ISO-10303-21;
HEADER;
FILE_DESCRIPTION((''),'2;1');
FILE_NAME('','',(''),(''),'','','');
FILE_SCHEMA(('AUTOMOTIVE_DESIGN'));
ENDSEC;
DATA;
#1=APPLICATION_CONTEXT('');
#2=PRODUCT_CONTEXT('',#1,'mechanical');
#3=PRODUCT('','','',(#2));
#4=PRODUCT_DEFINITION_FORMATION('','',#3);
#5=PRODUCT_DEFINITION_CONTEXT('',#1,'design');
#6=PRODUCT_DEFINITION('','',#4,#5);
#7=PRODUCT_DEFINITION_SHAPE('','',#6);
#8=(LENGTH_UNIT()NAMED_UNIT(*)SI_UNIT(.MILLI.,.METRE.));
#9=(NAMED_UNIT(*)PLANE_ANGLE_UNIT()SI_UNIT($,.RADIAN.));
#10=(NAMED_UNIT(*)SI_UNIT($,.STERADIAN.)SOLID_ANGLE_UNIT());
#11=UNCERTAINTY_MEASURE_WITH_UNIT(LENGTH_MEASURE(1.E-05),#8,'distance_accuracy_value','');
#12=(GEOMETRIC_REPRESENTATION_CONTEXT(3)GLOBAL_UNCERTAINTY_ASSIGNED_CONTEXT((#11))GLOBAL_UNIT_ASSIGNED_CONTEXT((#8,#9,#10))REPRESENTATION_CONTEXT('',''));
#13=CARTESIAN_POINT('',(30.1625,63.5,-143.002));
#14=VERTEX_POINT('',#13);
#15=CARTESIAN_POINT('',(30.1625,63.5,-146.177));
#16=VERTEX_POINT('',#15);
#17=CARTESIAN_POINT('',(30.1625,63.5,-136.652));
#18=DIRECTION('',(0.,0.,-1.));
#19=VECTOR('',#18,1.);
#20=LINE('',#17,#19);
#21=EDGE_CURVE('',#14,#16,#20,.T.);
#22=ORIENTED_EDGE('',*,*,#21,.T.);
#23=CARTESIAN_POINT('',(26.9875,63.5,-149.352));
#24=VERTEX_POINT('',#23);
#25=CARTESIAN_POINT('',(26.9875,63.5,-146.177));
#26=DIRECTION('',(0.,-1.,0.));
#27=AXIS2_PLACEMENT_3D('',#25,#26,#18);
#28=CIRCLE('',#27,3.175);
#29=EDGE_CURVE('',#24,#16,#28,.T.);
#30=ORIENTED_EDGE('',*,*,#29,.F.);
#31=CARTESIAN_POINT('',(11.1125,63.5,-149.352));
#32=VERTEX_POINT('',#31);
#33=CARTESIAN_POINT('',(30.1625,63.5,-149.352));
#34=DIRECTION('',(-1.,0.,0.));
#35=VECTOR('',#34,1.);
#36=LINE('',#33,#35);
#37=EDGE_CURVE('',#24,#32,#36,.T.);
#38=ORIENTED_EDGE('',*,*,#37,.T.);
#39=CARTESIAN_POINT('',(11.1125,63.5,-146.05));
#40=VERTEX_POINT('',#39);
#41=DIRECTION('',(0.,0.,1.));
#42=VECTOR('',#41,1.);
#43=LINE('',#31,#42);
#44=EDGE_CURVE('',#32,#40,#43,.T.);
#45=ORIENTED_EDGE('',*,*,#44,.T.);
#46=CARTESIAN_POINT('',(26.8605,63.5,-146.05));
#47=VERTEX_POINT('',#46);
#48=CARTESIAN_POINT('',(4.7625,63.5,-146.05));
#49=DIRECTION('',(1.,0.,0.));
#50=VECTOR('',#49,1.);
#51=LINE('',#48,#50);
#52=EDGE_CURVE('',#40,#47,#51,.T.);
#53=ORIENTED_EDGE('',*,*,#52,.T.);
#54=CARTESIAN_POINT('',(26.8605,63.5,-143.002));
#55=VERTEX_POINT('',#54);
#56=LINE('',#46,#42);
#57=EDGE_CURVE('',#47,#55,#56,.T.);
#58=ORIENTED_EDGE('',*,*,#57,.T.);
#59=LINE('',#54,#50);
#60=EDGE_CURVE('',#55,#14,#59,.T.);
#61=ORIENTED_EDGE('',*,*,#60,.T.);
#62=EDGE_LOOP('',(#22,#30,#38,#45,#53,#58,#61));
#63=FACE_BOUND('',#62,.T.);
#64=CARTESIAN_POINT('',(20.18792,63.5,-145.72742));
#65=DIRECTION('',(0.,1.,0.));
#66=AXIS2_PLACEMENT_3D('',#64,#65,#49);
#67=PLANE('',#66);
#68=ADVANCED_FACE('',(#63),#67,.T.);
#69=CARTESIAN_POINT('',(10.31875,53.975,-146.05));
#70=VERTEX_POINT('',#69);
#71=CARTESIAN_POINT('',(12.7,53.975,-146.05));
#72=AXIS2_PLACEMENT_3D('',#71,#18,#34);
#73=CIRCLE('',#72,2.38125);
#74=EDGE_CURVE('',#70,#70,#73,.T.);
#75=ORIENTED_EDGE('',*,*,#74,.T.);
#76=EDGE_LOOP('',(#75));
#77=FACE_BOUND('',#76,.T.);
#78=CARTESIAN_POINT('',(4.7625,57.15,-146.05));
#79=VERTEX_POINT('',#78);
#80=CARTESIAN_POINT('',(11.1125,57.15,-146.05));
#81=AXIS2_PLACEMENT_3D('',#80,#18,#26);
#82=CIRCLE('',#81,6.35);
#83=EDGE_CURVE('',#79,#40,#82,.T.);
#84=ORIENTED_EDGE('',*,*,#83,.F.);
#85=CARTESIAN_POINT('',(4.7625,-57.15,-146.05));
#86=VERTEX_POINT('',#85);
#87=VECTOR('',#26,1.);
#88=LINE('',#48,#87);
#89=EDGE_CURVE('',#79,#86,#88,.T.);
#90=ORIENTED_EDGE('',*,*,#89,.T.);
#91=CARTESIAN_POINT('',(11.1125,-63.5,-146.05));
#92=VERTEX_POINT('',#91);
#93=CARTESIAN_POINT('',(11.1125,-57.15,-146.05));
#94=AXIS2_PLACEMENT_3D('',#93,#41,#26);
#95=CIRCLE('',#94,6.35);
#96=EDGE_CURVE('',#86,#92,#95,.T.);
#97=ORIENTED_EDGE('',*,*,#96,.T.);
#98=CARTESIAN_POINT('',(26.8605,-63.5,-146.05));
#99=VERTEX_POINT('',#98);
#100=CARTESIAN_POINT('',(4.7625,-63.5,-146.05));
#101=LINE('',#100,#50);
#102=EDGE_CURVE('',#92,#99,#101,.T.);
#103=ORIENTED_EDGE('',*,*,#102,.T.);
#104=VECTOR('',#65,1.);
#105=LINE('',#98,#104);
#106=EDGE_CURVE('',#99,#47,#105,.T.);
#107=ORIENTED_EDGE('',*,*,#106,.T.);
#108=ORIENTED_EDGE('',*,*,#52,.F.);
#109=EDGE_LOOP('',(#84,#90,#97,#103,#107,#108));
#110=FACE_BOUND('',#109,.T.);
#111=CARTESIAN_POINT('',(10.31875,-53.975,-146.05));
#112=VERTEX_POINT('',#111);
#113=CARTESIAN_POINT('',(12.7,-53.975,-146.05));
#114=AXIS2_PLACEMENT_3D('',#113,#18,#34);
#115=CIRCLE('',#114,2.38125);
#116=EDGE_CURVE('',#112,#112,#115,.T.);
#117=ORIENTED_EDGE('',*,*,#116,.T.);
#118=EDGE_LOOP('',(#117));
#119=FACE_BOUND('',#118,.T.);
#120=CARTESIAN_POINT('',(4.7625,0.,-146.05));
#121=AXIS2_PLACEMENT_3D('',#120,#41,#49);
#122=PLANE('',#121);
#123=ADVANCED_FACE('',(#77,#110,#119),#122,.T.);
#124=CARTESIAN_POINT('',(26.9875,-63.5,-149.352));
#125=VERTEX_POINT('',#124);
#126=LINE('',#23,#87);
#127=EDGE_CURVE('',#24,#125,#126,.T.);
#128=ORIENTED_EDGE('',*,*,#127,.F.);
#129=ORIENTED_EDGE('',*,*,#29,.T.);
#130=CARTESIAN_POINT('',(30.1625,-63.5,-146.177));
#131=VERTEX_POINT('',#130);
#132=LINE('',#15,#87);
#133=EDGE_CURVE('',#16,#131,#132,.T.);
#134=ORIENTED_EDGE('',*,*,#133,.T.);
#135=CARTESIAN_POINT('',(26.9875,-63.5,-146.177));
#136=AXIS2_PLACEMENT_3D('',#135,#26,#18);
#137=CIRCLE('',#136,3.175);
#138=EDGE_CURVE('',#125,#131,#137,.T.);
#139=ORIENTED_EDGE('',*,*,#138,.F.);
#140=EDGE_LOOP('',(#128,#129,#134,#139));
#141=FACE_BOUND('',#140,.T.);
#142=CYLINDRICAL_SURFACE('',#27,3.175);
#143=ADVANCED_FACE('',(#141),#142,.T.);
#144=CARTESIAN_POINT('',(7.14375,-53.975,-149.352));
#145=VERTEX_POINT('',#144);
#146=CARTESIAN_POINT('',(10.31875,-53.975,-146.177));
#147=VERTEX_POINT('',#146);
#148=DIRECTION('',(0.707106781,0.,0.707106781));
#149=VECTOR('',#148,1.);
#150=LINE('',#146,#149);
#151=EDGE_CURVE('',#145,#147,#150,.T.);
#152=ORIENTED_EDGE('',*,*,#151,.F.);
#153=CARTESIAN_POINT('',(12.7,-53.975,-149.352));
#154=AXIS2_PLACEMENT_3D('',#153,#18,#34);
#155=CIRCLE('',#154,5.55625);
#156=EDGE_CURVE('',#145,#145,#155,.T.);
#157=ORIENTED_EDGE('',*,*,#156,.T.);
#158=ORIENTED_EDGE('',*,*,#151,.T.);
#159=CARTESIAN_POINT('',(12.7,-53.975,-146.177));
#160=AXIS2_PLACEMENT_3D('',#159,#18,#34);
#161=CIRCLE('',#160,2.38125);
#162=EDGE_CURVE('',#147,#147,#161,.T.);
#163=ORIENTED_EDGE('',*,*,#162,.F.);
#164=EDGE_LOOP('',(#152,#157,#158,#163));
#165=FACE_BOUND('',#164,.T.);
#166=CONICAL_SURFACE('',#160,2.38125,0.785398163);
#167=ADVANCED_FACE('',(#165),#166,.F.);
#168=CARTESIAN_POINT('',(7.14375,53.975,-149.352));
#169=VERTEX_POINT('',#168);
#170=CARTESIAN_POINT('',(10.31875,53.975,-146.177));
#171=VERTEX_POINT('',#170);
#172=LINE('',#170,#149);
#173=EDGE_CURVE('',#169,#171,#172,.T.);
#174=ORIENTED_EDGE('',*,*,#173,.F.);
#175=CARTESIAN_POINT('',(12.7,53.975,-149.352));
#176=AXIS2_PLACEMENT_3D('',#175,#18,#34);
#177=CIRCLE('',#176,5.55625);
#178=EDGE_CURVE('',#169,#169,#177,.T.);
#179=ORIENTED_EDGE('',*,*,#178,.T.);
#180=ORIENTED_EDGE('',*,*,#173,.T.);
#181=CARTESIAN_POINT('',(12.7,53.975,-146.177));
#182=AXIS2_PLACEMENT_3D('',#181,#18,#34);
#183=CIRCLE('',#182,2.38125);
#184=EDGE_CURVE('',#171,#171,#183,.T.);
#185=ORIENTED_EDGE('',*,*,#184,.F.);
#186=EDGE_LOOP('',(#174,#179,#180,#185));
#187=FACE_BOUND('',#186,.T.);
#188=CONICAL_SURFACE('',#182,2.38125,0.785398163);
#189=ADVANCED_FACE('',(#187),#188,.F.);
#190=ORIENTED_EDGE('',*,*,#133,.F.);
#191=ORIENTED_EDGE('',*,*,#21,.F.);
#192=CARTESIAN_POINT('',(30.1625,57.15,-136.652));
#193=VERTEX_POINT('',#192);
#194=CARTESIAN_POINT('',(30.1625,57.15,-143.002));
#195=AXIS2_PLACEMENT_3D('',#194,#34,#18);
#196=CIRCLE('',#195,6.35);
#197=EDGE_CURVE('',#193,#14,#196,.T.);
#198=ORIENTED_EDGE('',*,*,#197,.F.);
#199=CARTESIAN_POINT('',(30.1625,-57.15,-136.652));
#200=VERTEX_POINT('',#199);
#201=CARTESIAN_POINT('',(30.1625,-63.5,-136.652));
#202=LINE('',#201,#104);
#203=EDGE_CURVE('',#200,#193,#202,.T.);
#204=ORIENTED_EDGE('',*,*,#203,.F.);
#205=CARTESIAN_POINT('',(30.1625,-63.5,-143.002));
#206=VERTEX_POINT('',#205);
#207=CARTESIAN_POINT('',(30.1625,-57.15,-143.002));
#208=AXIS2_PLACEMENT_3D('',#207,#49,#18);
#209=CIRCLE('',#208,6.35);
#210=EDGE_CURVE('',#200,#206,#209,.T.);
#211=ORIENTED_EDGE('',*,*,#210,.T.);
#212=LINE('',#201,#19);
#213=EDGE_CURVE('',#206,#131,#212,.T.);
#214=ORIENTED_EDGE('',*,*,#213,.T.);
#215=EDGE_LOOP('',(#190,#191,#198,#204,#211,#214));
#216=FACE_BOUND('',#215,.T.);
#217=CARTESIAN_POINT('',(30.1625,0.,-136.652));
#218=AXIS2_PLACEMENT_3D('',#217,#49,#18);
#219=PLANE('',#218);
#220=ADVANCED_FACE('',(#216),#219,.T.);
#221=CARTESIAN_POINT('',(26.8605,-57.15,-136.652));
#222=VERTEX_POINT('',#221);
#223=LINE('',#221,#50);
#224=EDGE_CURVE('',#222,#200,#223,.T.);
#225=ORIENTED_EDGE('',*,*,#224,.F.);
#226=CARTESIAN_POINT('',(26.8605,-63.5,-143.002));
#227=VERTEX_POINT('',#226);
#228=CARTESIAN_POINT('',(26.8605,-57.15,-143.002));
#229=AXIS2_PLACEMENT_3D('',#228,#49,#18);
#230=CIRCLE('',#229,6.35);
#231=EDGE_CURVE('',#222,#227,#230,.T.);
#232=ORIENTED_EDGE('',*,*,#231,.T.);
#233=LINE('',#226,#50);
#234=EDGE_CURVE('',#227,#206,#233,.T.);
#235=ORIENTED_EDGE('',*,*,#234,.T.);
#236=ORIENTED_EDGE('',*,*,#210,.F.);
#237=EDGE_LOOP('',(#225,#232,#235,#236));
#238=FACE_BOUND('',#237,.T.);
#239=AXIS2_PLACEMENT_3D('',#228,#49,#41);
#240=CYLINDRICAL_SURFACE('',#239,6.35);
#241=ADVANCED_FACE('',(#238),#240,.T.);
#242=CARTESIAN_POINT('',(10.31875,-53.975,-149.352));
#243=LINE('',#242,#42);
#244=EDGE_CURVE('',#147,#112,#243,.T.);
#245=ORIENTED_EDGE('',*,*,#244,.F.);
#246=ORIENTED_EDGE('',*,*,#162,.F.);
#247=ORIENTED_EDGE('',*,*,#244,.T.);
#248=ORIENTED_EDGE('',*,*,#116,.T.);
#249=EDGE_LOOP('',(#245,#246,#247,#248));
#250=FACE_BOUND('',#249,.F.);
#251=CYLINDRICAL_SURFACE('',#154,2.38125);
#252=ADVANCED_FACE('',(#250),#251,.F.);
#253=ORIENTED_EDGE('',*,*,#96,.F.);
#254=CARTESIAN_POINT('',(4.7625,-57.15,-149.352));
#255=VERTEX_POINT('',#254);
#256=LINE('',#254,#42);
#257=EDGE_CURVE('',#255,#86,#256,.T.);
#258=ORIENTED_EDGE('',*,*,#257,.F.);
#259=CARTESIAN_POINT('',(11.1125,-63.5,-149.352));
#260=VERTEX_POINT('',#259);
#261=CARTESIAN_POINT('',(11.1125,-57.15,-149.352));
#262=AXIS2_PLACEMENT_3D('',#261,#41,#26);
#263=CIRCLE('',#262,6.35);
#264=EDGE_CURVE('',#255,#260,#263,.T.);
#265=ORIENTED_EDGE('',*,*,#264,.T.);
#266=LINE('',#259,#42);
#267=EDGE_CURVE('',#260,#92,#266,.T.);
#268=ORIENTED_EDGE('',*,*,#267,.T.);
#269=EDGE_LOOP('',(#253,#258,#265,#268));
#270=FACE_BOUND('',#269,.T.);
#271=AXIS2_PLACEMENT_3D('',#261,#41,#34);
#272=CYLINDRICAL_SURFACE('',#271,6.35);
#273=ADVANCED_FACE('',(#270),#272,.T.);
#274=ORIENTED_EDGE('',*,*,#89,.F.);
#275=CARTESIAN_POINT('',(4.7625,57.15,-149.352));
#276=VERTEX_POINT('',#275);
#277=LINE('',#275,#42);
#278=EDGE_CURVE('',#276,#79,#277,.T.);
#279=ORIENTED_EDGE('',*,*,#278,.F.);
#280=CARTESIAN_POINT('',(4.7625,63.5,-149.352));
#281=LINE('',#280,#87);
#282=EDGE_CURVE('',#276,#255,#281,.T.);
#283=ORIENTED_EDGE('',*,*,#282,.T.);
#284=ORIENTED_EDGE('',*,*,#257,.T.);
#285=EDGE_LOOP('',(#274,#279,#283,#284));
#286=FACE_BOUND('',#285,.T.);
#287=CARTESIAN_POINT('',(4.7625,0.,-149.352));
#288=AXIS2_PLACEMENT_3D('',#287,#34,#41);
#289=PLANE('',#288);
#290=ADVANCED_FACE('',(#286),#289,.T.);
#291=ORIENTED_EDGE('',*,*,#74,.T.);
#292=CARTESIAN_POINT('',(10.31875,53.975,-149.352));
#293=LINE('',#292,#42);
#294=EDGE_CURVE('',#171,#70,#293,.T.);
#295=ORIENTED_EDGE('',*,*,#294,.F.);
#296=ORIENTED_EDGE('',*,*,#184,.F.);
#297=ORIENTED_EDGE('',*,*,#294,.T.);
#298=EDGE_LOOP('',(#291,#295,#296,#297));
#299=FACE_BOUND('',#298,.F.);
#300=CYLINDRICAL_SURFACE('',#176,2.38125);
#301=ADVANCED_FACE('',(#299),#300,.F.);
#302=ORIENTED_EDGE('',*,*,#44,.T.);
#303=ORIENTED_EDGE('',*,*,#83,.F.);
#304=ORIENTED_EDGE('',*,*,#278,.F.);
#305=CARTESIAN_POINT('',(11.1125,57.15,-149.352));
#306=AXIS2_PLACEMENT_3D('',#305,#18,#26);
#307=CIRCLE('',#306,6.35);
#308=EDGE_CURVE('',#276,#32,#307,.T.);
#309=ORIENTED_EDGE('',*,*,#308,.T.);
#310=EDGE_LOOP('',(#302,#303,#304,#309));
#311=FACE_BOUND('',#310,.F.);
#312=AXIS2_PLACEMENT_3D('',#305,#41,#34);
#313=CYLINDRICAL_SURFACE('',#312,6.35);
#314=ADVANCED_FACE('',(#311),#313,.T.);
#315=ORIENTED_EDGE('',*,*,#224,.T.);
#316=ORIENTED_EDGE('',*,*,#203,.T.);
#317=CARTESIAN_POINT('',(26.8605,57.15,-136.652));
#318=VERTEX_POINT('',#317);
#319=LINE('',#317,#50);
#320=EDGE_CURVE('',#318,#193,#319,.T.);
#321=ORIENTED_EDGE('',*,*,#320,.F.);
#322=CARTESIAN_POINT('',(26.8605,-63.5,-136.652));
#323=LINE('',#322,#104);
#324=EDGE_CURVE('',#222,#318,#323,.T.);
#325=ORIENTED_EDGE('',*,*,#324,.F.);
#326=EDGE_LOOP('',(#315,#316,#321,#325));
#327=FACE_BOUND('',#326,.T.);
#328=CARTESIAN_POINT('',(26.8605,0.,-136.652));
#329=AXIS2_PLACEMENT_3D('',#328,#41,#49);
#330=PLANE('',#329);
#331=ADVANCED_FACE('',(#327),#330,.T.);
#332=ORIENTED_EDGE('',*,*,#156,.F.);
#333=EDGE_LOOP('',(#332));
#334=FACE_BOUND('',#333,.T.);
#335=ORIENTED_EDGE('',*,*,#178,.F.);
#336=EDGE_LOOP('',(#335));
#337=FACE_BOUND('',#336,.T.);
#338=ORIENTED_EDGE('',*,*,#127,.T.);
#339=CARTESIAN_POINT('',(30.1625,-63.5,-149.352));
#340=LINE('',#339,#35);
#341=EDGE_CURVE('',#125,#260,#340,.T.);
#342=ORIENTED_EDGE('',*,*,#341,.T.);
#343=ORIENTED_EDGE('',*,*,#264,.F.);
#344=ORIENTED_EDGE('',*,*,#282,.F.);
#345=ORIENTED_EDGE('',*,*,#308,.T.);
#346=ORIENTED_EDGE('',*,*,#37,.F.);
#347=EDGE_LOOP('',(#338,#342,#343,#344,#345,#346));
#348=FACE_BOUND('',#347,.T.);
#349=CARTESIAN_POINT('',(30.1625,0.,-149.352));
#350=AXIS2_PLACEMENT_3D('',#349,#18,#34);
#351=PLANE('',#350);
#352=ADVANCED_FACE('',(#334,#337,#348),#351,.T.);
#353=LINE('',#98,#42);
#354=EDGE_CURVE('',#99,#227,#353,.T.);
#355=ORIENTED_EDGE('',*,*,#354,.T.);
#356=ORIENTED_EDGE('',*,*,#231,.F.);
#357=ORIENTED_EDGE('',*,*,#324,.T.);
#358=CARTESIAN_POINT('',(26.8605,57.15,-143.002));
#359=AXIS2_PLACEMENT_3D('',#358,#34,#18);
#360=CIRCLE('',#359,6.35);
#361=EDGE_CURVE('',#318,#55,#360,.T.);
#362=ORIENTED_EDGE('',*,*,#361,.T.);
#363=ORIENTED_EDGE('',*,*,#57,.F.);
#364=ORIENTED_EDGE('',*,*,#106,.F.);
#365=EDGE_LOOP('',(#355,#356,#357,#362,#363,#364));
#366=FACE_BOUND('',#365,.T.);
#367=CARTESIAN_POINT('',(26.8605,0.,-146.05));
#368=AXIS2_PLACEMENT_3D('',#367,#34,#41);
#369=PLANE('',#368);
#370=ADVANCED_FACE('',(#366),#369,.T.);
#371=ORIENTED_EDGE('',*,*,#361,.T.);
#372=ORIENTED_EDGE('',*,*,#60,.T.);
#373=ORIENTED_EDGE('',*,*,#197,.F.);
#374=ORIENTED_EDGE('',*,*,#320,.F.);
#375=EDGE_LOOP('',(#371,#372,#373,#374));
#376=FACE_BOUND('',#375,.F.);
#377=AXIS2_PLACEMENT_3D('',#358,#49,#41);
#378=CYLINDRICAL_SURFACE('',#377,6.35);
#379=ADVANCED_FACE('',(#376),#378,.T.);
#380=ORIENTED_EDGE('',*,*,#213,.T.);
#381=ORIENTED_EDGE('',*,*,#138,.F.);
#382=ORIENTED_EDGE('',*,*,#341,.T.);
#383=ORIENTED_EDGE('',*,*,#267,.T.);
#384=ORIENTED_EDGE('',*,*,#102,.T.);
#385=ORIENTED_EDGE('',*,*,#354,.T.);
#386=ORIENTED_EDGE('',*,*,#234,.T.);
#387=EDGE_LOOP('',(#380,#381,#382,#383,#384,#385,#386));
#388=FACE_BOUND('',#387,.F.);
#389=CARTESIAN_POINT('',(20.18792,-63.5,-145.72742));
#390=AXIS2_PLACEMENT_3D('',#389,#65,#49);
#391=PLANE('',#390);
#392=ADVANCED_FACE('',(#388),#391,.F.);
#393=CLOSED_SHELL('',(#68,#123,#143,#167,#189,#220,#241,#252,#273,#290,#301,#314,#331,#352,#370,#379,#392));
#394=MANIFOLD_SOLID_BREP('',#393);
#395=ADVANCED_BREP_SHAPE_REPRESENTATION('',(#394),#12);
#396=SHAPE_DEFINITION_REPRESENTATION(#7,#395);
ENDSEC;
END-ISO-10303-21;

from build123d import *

# Parameters (mm, degrees)
PAD6703_DEPTH            = 63.5
FILLET540_R              = 6.35
FILLET541_R              = 3.175
SKETCH7626_R             = 2.38125
POCKET658_DEPTH          = 12.701
CHAMFER2378_SIZE         = 3.175
BODY6012_PLACEMENT_ANGLE = 180


with BuildPart() as part:
    # Sketch7640 → Pad6703 (new body, symmetric)
    with BuildSketch(Plane.XZ):
        Polygon((0, 0), (22.098, 0), (22.098, -9.398), (25.4, -9.398), (25.4, 3.302), (0, 3.302), align=None)
    extrude(amount=PAD6703_DEPTH, both=True)

    # Fillet540
    fillet540_edges = [part.edges().sort_by_distance(p)[0] for p in [
        (23.749, -63.5, -9.398),
        (23.749, 63.5, -9.398),
        (0, 63.5, 1.651),
        (0, -63.5, 1.651),
    ]]
    fillet(fillet540_edges, radius=FILLET540_R)

    # Fillet541
    fillet541_edges = [part.edges().sort_by_distance(p)[0] for p in [
        (25.4, 0, 3.302),
    ]]
    fillet(fillet541_edges, radius=FILLET541_R)

    # Sketch7626 (on ShapeBinder) → Pocket658 (cut, through all)
    with BuildSketch(Plane(origin=(0, 0, 3.302), x_dir=(-1, 0, 0), z_dir=(0, 0, 1))):
        with Locations((-7.9375, 53.975)):
            Circle(SKETCH7626_R)
        with Locations((-7.9375, -53.975)):
            Circle(SKETCH7626_R)
    extrude(amount=-POCKET658_DEPTH, mode=Mode.SUBTRACT)

    # Chamfer2378
    chamfer2378_edges = [part.edges().sort_by_distance(p)[0] for p in [
        (10.31875, 53.975, 3.302),
        (10.31875, -53.975, 3.302),
    ]]
    chamfer(chamfer2378_edges, length=CHAMFER2378_SIZE)


with BuildPart() as part_1:
    # Body6007 placement: moved
    add(part.part.moved(Location((4.7625, 0, 146.05))))


with BuildPart() as part_2:
    # Clone377 placement: moved
    add(part_1.part.moved(Location((0, -19.05, -142.875))))


with BuildPart() as part_3:
    # Body6012 placement: moved
    add(part_2.part.moved(Location((0, -19.05, -142.875))).rotate(Axis((0, -19.05, -142.875), (1, 0, 0)), BODY6012_PLACEMENT_ANGLE))


solid = part_3.part
